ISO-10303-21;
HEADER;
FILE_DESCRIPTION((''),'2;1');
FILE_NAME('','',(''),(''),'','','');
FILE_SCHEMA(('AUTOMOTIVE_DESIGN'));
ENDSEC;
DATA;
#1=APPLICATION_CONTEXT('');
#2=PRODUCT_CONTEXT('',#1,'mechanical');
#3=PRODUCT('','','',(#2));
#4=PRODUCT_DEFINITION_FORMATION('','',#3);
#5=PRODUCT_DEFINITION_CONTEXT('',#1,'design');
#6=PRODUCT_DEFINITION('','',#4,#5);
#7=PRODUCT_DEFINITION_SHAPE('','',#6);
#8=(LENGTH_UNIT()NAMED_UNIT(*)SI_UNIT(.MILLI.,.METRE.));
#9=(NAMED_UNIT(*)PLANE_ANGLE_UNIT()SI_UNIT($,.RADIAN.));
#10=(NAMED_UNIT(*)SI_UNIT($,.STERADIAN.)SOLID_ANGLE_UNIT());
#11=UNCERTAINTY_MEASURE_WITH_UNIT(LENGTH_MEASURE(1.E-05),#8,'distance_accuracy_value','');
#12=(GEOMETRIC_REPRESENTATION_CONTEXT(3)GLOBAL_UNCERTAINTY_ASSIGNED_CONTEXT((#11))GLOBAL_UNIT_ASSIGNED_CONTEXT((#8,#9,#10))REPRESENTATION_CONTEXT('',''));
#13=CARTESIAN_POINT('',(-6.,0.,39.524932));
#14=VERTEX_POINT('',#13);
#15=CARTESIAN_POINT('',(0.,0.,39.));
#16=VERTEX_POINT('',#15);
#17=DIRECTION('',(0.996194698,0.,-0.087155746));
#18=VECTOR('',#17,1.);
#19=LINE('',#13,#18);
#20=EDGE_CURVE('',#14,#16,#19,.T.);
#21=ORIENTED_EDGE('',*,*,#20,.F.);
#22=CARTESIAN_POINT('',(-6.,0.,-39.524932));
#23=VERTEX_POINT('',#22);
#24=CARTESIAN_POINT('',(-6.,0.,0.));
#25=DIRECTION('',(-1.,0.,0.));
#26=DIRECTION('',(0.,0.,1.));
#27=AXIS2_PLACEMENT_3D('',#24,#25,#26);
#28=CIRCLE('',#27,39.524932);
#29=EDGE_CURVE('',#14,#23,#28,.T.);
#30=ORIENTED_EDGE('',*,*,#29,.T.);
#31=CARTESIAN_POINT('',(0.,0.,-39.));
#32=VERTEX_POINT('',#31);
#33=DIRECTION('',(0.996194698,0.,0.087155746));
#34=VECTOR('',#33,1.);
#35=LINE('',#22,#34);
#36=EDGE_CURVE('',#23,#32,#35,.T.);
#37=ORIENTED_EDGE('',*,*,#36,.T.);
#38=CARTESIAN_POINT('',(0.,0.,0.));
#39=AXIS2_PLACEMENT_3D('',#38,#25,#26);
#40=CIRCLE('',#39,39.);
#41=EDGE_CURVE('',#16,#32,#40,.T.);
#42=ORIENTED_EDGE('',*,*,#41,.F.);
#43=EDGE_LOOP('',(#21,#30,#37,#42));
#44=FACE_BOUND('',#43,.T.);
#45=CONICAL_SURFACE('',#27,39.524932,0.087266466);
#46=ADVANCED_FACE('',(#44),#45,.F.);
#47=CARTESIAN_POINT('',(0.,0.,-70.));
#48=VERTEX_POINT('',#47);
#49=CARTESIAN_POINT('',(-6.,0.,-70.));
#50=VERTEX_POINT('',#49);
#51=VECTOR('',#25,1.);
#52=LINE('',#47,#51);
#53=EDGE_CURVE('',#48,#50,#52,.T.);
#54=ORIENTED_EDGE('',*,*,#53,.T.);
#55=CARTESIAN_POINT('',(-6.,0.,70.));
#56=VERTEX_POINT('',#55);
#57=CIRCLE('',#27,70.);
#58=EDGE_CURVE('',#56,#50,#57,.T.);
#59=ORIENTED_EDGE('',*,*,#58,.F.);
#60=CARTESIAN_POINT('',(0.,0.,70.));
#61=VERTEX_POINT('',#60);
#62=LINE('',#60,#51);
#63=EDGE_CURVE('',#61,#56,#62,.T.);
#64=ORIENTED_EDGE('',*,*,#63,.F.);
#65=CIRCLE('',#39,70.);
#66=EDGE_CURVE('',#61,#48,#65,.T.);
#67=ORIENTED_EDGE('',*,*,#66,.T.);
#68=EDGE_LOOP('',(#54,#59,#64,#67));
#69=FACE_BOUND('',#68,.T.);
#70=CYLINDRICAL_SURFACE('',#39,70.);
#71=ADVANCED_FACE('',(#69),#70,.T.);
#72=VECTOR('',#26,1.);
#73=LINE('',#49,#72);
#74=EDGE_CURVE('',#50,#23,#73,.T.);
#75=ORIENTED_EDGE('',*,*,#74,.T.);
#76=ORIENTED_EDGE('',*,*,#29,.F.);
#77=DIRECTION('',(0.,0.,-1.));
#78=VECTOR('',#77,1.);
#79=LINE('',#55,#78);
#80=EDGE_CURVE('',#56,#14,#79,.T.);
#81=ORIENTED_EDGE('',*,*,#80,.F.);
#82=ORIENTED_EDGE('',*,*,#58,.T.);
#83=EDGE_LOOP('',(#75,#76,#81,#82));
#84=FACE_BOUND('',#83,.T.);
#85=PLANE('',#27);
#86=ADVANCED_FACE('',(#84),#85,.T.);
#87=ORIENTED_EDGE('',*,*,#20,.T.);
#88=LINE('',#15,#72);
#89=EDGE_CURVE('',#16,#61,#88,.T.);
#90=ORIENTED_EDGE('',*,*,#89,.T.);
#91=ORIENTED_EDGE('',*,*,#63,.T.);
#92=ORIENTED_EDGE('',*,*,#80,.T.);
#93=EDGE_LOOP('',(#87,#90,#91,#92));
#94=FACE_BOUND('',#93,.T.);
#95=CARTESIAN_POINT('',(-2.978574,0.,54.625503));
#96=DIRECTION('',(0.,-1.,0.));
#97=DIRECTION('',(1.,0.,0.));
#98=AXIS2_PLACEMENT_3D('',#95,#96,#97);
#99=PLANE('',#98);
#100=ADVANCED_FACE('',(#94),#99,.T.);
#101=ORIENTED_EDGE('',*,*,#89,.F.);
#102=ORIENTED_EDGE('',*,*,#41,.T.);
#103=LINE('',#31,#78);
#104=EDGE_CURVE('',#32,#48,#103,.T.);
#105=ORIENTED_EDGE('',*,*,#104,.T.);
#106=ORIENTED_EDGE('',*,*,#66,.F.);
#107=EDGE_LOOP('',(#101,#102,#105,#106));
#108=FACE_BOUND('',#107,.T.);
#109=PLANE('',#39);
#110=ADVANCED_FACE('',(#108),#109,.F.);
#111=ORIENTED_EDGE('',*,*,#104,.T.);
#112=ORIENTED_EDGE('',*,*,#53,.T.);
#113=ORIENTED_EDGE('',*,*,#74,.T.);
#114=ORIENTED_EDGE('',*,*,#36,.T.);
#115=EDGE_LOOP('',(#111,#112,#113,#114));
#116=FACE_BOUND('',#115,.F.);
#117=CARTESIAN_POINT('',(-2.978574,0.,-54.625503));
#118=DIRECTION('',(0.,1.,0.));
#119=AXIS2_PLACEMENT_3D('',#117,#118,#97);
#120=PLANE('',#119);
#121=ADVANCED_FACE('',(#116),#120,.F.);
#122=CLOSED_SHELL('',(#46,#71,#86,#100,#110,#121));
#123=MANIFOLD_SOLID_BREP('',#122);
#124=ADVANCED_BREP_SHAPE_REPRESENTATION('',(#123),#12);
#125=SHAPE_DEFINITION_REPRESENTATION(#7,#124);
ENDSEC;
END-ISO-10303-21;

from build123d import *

# Parameters (mm, degrees)
F1_ANGLE = 180


with BuildPart() as f1:
    # F0 (on Front) → F1 (revolve)
    with BuildSketch(Plane.XZ):
        Polygon((-6, 39.524932), (0, 39), (0, 70), (-6, 70), align=None)
    revolve(axis=Axis((-23.459781, 0, 0), (-1, 0, 0)), revolution_arc=F1_ANGLE)


solid = f1.part
